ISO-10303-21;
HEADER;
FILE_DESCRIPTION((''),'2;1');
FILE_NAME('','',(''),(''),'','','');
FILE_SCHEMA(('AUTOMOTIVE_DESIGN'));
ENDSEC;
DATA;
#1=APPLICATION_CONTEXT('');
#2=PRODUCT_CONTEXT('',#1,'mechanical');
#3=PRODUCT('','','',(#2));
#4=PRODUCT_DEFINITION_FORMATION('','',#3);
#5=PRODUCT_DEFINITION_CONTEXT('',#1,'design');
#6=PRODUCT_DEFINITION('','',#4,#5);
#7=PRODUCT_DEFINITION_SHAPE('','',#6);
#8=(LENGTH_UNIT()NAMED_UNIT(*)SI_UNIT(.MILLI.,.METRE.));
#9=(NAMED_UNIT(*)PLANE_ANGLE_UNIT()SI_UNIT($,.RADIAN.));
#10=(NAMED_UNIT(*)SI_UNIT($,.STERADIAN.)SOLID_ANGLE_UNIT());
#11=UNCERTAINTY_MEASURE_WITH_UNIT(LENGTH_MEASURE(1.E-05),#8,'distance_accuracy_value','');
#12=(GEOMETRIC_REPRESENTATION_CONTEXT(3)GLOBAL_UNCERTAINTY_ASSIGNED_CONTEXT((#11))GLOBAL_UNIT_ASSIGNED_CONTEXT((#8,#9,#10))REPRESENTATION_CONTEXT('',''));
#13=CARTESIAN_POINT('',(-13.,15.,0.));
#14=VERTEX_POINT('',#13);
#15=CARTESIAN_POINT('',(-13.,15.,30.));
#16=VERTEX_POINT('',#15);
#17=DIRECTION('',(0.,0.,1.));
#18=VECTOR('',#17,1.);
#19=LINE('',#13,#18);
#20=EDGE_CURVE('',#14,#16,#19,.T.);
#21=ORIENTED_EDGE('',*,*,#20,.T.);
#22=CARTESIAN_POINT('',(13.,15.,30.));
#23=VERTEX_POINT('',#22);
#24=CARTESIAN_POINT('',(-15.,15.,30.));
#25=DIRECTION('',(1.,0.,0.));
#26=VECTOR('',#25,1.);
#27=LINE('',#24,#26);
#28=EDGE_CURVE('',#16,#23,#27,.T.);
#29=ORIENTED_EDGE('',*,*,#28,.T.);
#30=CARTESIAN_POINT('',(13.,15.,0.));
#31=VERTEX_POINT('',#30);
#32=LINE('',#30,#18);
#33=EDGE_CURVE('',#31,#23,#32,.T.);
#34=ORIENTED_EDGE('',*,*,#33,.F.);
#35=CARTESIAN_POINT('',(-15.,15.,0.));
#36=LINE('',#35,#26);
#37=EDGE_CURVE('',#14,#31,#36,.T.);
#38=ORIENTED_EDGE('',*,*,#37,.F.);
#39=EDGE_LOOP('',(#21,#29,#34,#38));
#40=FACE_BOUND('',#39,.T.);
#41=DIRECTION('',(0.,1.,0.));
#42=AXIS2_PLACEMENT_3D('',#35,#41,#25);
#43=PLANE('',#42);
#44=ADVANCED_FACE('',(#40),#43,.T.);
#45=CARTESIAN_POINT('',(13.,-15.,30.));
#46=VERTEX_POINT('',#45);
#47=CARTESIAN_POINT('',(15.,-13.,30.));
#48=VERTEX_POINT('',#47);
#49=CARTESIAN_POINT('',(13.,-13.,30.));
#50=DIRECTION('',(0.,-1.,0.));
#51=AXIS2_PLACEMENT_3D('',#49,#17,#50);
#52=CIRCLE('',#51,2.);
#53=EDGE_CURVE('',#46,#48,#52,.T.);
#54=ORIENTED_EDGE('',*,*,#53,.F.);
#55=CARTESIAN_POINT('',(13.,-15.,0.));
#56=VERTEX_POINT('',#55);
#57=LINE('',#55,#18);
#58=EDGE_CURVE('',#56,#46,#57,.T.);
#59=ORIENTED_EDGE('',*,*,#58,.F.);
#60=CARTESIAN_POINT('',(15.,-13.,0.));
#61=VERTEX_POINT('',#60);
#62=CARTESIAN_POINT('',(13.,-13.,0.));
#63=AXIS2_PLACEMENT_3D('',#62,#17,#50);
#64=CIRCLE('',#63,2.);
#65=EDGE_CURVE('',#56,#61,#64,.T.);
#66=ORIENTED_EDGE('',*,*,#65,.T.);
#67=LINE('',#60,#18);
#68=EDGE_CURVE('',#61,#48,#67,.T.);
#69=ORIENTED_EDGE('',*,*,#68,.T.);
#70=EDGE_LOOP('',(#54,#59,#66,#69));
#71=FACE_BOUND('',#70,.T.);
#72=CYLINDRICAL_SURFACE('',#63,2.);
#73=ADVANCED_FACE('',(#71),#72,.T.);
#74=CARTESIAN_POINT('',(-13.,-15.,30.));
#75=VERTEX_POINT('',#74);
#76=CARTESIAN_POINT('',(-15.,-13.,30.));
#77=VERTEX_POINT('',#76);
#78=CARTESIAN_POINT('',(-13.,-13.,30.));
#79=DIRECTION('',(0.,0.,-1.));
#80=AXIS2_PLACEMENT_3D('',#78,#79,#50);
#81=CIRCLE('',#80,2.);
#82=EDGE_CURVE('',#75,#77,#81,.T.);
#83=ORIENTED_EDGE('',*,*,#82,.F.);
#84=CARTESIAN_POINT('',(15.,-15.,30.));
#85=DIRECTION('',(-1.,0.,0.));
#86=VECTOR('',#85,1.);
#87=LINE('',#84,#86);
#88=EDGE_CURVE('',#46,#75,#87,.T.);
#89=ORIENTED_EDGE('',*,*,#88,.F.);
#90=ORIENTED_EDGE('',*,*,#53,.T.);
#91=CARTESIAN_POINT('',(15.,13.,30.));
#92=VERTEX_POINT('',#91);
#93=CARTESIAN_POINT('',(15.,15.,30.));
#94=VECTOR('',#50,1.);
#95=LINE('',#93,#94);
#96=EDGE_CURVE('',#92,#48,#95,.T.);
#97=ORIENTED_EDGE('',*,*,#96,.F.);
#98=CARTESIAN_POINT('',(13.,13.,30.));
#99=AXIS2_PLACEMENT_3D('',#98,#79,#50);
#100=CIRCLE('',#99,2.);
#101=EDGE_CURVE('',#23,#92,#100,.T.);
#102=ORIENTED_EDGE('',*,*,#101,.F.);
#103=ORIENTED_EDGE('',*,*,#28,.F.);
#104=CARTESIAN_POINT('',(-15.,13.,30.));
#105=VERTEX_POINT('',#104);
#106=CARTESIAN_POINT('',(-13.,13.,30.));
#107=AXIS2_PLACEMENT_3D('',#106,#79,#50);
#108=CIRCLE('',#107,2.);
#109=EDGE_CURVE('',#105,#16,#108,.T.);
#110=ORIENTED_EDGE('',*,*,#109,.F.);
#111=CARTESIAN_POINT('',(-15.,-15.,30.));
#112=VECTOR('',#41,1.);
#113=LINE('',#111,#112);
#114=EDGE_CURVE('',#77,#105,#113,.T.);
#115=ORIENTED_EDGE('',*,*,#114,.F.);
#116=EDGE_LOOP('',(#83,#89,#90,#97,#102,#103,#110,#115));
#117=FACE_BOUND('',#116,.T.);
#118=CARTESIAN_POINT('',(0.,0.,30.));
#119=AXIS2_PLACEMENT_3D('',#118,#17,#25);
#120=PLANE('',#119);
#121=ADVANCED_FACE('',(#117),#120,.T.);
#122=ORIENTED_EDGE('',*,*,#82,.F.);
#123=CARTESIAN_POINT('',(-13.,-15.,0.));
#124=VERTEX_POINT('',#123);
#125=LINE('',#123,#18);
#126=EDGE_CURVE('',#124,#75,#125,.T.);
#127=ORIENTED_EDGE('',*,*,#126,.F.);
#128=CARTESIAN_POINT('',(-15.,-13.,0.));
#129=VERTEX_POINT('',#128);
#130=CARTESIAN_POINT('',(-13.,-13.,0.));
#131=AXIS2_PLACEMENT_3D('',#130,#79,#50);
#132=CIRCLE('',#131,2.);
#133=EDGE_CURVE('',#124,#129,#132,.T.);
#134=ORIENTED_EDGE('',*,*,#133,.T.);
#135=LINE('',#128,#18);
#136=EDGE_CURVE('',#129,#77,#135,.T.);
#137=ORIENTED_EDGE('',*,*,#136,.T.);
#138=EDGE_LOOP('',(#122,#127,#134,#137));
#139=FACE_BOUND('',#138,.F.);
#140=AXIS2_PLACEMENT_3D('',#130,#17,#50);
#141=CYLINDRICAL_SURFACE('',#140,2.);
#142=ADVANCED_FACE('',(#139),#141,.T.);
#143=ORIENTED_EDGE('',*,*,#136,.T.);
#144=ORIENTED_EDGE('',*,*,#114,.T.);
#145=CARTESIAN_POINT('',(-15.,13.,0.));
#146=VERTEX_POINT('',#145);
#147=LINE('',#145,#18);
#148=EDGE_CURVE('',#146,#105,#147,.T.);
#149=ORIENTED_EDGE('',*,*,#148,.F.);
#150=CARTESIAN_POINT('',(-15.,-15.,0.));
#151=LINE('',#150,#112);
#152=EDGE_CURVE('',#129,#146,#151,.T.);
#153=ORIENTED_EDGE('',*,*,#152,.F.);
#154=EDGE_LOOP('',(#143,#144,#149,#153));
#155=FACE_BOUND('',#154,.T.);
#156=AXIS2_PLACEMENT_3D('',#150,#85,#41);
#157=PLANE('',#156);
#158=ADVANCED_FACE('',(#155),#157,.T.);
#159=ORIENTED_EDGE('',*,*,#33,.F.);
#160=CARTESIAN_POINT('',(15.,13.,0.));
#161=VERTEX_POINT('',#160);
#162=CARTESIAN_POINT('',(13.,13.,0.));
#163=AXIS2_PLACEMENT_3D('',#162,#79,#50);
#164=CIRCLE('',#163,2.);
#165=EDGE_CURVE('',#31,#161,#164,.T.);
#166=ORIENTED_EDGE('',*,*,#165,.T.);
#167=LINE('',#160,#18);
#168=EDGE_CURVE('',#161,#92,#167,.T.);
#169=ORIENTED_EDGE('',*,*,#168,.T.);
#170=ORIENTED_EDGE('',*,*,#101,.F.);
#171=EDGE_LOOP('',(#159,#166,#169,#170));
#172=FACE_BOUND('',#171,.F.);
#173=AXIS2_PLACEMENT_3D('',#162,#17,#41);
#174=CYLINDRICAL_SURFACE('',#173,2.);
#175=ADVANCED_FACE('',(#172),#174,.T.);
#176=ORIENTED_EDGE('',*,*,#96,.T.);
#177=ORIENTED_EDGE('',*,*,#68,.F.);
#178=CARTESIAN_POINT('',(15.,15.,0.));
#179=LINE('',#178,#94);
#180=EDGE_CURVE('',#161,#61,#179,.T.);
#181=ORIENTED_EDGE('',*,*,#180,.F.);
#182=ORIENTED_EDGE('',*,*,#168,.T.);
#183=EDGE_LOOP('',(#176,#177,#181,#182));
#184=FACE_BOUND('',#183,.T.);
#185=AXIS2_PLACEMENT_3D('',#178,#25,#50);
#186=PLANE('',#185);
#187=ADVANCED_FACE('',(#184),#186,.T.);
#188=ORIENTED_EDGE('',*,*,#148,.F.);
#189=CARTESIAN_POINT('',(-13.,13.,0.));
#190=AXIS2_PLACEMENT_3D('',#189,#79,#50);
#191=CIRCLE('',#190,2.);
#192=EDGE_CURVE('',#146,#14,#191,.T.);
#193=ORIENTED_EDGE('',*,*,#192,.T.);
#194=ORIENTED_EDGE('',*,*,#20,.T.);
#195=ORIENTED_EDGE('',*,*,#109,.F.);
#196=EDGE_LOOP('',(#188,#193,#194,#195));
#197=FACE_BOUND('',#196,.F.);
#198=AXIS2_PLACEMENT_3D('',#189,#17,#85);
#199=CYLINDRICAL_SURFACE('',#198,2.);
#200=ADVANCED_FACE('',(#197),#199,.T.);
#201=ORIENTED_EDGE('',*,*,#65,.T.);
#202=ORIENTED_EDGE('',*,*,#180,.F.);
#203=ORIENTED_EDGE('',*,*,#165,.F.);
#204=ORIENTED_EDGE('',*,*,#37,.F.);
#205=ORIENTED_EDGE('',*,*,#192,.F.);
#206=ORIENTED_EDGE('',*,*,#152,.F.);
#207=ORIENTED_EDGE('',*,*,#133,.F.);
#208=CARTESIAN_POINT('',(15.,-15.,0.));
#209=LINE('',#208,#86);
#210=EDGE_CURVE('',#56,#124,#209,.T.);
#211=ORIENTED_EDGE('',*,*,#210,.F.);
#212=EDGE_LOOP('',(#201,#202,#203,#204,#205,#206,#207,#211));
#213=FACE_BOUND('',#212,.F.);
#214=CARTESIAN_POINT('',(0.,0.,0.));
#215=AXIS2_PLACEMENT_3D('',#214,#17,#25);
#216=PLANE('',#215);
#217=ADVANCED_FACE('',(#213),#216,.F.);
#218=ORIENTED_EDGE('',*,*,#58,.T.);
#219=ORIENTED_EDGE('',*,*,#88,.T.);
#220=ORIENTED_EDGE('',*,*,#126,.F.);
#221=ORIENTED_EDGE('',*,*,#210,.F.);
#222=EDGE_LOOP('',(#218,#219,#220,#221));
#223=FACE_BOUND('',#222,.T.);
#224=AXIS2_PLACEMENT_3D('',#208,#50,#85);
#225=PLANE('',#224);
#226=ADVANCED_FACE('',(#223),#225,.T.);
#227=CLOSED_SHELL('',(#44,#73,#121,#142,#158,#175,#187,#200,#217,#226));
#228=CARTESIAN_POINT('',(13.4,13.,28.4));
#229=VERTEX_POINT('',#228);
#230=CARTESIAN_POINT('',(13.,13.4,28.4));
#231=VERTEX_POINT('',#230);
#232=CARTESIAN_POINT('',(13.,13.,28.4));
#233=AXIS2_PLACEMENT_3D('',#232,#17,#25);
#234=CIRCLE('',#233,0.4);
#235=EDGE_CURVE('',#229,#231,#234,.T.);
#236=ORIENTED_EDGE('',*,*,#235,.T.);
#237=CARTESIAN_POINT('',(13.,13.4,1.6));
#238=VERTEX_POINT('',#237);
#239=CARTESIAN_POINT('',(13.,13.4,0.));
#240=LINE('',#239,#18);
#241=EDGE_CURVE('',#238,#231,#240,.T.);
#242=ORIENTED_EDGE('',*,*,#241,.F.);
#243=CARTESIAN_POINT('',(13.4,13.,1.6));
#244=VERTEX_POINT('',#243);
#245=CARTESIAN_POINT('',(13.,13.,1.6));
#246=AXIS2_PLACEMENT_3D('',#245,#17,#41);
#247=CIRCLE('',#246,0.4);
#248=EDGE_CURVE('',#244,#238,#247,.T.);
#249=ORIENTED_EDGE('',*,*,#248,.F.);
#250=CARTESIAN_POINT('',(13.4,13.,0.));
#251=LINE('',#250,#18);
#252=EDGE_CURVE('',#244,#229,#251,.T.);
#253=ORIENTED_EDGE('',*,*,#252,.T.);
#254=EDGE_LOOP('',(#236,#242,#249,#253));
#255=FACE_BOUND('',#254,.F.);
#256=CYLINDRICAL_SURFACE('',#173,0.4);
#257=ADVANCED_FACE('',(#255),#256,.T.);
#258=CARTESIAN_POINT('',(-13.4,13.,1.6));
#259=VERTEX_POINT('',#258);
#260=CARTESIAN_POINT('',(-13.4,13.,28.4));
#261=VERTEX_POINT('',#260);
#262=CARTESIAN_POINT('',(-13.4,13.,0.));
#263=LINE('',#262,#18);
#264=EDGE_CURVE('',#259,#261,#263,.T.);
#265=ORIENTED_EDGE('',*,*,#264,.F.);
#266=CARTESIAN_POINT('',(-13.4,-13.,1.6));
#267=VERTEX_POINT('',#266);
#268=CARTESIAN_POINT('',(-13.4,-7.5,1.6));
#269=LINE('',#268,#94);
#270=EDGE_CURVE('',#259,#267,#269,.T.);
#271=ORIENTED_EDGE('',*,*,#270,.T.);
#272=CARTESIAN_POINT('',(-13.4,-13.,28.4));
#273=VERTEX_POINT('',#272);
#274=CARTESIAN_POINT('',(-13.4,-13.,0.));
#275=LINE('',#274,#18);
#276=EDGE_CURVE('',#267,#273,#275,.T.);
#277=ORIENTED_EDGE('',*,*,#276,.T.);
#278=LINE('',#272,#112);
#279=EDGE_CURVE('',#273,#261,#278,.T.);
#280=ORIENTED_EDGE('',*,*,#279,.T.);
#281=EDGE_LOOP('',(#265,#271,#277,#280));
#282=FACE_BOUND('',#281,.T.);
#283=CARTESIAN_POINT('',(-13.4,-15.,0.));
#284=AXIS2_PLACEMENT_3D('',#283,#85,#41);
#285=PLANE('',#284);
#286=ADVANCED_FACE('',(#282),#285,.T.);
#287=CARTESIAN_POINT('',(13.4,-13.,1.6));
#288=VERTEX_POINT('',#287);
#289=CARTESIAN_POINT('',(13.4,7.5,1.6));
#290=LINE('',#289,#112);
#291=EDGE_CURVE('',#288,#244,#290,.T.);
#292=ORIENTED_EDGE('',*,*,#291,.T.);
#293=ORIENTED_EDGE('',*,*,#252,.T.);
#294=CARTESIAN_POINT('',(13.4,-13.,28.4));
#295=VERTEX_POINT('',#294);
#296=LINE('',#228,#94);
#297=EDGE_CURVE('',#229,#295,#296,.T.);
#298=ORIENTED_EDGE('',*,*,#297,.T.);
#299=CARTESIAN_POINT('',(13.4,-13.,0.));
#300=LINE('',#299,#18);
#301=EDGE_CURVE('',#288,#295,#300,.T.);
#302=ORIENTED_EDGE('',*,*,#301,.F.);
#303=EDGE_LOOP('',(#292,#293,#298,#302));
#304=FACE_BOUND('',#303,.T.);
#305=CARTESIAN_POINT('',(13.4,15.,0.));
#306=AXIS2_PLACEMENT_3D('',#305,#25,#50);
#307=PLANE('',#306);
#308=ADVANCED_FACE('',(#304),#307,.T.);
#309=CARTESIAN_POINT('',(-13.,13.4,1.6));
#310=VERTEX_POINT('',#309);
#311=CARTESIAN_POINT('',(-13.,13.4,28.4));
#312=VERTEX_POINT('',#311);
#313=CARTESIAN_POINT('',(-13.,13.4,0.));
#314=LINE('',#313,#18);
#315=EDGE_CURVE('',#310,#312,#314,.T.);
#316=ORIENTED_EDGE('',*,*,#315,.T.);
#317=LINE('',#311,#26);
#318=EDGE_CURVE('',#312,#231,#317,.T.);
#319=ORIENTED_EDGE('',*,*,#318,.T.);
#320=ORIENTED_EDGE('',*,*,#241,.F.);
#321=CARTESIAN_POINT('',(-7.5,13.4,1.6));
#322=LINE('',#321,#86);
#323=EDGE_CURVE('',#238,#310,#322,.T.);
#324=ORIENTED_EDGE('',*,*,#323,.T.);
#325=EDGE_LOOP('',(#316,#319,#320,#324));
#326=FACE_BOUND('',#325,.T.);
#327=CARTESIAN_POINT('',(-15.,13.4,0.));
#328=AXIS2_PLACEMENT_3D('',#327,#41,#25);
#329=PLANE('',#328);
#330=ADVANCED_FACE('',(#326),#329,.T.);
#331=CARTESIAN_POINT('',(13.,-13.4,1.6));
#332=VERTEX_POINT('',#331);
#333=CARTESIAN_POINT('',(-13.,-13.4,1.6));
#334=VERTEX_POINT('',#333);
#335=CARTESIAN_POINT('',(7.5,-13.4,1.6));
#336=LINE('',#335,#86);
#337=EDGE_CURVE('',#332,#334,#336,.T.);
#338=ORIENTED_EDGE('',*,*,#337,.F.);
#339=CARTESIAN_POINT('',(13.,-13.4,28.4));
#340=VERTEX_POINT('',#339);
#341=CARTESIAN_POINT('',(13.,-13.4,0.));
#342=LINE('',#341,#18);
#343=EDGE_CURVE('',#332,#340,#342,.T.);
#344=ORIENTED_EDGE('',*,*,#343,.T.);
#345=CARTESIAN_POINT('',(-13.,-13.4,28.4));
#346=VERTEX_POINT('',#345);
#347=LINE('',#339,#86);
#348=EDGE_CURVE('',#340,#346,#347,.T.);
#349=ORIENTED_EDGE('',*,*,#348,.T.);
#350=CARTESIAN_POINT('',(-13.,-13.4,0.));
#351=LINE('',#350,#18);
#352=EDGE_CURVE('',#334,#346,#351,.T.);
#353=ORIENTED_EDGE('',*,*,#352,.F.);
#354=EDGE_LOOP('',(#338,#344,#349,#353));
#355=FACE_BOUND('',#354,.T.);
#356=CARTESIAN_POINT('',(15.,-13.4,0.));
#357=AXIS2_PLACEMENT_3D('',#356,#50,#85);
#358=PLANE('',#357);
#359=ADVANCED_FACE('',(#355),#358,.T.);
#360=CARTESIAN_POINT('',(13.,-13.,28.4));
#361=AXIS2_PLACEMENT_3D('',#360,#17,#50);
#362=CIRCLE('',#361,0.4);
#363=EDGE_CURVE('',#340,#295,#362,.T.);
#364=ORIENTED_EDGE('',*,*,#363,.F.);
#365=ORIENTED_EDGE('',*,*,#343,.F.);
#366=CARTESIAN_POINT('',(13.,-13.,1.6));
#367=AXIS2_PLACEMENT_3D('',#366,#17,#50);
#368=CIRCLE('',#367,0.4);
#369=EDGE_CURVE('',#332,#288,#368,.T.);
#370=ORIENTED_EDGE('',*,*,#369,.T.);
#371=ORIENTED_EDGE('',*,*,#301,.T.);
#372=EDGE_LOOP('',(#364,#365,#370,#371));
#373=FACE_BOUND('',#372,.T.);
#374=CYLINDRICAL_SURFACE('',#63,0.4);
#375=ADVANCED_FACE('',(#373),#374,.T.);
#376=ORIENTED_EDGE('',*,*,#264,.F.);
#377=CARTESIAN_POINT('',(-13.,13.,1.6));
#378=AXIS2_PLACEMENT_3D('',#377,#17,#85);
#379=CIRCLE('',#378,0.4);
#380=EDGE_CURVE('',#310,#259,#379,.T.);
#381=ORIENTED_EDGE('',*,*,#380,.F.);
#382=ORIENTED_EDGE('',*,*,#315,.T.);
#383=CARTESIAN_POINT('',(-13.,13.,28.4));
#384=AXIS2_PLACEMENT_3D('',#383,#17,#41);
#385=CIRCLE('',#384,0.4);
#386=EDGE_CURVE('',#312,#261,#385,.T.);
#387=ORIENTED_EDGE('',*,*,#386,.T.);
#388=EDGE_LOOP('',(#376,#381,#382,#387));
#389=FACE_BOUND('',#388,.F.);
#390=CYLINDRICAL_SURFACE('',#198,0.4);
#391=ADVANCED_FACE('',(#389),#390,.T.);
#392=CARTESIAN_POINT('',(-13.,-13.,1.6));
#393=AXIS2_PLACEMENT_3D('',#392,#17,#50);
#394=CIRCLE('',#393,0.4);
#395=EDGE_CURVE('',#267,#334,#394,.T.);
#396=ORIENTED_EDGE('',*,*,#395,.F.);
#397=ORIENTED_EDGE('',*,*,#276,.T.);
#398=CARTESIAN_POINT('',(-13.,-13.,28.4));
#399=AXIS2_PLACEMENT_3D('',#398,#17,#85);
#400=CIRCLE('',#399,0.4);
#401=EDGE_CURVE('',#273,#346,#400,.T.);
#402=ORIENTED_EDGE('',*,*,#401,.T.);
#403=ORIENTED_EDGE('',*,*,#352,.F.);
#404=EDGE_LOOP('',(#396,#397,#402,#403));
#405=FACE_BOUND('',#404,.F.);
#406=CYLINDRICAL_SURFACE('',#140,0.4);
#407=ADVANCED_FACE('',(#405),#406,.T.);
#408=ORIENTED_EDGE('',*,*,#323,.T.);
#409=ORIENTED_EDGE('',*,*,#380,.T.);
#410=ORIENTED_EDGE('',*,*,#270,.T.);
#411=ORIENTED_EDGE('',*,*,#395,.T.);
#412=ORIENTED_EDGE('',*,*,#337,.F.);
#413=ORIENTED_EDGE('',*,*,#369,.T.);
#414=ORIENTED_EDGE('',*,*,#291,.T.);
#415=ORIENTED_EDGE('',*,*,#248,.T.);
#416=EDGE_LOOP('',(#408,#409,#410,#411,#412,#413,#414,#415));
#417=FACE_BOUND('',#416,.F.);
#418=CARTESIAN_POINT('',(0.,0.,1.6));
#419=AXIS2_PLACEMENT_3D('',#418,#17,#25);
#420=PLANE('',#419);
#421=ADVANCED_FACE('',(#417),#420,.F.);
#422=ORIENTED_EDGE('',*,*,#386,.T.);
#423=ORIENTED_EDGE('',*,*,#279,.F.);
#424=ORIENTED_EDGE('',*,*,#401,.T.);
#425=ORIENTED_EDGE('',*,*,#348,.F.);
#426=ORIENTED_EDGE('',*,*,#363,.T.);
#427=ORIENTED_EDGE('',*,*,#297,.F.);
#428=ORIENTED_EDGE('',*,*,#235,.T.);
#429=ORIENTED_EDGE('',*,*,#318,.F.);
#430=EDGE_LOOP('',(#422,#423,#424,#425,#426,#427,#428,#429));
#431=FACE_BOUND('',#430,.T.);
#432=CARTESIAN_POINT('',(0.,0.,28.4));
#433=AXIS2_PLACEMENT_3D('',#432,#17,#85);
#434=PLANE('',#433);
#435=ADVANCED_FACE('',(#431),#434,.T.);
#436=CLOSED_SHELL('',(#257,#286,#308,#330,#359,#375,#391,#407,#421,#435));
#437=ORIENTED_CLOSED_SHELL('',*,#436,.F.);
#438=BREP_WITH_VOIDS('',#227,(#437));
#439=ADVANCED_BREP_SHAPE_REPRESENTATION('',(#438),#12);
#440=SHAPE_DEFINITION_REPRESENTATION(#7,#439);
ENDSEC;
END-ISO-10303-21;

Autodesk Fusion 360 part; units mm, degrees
sketch "Sketch1" plane through (0, 0, 0) normal (0, 0, 1) x (1, 0, 0)
  line L0 (15, -15) -> (-15, -15)
  line L1 (-15, -15) -> (-15, 15)
  line L2 (-15, 15) -> (15, 15)
  line L3 (15, 15) -> (15, -15)
  line L4 (15, -15) -> (-15, 15) construction
  line L5 (-15, -15) -> (15, 15) construction
  dimension "d1" = 30
  dimension "d2" = 30
extrude "Extrude1" add sketch "Sketch1" along normal blind 30
fillet "Fillet1" radius 2 4 edges at (-15, -15, 15) (15, -15, 15) (15, 15, 15) (-15, 15, 15)
shell "Shell1" thickness 1.6 removed faces 1 at (4.3333, -5, 30)
sketch "Sketch2" plane through (0, 0, 30) normal (0, 0, 1) x (-1, 0, 0)
  arc A0 (-13.4, -13) -> (-13, -13.4) centre (-13, -13) ccw
  line L0 (-13.4, -13) -> (-13.4, 13)
  arc A1 (-13, 13.4) -> (-13.4, 13) centre (-13, 13) ccw
  line L1 (-13, 13.4) -> (13, 13.4)
  arc A2 (13.4, 13) -> (13, 13.4) centre (13, 13) ccw
  line L2 (13.4, 13) -> (13.4, -13)
  arc A3 (13, -13.4) -> (13.4, -13) centre (13, -13) ccw
  line L3 (13, -13.4) -> (-13, -13.4)
  arc A4 (13, -15) -> (15, -13) centre (13, -13) ccw
  line L4 (15, -13) -> (15, 13)
  arc A5 (15, 13) -> (13, 15) centre (13, 13) ccw
  line L5 (13, 15) -> (-13, 15)
  arc A6 (-13, 15) -> (-15, 13) centre (-13, 13) ccw
  line L6 (-15, 13) -> (-15, -13)
  arc A7 (-15, -13) -> (-13, -15) centre (-13, -13) ccw
  line L7 (-13, -15) -> (13, -15)
extrude "Extrude2" add sketch "Sketch2" against normal blind 1.6 contours A0 L0 A1 L1 A2 L2 A3 L3
